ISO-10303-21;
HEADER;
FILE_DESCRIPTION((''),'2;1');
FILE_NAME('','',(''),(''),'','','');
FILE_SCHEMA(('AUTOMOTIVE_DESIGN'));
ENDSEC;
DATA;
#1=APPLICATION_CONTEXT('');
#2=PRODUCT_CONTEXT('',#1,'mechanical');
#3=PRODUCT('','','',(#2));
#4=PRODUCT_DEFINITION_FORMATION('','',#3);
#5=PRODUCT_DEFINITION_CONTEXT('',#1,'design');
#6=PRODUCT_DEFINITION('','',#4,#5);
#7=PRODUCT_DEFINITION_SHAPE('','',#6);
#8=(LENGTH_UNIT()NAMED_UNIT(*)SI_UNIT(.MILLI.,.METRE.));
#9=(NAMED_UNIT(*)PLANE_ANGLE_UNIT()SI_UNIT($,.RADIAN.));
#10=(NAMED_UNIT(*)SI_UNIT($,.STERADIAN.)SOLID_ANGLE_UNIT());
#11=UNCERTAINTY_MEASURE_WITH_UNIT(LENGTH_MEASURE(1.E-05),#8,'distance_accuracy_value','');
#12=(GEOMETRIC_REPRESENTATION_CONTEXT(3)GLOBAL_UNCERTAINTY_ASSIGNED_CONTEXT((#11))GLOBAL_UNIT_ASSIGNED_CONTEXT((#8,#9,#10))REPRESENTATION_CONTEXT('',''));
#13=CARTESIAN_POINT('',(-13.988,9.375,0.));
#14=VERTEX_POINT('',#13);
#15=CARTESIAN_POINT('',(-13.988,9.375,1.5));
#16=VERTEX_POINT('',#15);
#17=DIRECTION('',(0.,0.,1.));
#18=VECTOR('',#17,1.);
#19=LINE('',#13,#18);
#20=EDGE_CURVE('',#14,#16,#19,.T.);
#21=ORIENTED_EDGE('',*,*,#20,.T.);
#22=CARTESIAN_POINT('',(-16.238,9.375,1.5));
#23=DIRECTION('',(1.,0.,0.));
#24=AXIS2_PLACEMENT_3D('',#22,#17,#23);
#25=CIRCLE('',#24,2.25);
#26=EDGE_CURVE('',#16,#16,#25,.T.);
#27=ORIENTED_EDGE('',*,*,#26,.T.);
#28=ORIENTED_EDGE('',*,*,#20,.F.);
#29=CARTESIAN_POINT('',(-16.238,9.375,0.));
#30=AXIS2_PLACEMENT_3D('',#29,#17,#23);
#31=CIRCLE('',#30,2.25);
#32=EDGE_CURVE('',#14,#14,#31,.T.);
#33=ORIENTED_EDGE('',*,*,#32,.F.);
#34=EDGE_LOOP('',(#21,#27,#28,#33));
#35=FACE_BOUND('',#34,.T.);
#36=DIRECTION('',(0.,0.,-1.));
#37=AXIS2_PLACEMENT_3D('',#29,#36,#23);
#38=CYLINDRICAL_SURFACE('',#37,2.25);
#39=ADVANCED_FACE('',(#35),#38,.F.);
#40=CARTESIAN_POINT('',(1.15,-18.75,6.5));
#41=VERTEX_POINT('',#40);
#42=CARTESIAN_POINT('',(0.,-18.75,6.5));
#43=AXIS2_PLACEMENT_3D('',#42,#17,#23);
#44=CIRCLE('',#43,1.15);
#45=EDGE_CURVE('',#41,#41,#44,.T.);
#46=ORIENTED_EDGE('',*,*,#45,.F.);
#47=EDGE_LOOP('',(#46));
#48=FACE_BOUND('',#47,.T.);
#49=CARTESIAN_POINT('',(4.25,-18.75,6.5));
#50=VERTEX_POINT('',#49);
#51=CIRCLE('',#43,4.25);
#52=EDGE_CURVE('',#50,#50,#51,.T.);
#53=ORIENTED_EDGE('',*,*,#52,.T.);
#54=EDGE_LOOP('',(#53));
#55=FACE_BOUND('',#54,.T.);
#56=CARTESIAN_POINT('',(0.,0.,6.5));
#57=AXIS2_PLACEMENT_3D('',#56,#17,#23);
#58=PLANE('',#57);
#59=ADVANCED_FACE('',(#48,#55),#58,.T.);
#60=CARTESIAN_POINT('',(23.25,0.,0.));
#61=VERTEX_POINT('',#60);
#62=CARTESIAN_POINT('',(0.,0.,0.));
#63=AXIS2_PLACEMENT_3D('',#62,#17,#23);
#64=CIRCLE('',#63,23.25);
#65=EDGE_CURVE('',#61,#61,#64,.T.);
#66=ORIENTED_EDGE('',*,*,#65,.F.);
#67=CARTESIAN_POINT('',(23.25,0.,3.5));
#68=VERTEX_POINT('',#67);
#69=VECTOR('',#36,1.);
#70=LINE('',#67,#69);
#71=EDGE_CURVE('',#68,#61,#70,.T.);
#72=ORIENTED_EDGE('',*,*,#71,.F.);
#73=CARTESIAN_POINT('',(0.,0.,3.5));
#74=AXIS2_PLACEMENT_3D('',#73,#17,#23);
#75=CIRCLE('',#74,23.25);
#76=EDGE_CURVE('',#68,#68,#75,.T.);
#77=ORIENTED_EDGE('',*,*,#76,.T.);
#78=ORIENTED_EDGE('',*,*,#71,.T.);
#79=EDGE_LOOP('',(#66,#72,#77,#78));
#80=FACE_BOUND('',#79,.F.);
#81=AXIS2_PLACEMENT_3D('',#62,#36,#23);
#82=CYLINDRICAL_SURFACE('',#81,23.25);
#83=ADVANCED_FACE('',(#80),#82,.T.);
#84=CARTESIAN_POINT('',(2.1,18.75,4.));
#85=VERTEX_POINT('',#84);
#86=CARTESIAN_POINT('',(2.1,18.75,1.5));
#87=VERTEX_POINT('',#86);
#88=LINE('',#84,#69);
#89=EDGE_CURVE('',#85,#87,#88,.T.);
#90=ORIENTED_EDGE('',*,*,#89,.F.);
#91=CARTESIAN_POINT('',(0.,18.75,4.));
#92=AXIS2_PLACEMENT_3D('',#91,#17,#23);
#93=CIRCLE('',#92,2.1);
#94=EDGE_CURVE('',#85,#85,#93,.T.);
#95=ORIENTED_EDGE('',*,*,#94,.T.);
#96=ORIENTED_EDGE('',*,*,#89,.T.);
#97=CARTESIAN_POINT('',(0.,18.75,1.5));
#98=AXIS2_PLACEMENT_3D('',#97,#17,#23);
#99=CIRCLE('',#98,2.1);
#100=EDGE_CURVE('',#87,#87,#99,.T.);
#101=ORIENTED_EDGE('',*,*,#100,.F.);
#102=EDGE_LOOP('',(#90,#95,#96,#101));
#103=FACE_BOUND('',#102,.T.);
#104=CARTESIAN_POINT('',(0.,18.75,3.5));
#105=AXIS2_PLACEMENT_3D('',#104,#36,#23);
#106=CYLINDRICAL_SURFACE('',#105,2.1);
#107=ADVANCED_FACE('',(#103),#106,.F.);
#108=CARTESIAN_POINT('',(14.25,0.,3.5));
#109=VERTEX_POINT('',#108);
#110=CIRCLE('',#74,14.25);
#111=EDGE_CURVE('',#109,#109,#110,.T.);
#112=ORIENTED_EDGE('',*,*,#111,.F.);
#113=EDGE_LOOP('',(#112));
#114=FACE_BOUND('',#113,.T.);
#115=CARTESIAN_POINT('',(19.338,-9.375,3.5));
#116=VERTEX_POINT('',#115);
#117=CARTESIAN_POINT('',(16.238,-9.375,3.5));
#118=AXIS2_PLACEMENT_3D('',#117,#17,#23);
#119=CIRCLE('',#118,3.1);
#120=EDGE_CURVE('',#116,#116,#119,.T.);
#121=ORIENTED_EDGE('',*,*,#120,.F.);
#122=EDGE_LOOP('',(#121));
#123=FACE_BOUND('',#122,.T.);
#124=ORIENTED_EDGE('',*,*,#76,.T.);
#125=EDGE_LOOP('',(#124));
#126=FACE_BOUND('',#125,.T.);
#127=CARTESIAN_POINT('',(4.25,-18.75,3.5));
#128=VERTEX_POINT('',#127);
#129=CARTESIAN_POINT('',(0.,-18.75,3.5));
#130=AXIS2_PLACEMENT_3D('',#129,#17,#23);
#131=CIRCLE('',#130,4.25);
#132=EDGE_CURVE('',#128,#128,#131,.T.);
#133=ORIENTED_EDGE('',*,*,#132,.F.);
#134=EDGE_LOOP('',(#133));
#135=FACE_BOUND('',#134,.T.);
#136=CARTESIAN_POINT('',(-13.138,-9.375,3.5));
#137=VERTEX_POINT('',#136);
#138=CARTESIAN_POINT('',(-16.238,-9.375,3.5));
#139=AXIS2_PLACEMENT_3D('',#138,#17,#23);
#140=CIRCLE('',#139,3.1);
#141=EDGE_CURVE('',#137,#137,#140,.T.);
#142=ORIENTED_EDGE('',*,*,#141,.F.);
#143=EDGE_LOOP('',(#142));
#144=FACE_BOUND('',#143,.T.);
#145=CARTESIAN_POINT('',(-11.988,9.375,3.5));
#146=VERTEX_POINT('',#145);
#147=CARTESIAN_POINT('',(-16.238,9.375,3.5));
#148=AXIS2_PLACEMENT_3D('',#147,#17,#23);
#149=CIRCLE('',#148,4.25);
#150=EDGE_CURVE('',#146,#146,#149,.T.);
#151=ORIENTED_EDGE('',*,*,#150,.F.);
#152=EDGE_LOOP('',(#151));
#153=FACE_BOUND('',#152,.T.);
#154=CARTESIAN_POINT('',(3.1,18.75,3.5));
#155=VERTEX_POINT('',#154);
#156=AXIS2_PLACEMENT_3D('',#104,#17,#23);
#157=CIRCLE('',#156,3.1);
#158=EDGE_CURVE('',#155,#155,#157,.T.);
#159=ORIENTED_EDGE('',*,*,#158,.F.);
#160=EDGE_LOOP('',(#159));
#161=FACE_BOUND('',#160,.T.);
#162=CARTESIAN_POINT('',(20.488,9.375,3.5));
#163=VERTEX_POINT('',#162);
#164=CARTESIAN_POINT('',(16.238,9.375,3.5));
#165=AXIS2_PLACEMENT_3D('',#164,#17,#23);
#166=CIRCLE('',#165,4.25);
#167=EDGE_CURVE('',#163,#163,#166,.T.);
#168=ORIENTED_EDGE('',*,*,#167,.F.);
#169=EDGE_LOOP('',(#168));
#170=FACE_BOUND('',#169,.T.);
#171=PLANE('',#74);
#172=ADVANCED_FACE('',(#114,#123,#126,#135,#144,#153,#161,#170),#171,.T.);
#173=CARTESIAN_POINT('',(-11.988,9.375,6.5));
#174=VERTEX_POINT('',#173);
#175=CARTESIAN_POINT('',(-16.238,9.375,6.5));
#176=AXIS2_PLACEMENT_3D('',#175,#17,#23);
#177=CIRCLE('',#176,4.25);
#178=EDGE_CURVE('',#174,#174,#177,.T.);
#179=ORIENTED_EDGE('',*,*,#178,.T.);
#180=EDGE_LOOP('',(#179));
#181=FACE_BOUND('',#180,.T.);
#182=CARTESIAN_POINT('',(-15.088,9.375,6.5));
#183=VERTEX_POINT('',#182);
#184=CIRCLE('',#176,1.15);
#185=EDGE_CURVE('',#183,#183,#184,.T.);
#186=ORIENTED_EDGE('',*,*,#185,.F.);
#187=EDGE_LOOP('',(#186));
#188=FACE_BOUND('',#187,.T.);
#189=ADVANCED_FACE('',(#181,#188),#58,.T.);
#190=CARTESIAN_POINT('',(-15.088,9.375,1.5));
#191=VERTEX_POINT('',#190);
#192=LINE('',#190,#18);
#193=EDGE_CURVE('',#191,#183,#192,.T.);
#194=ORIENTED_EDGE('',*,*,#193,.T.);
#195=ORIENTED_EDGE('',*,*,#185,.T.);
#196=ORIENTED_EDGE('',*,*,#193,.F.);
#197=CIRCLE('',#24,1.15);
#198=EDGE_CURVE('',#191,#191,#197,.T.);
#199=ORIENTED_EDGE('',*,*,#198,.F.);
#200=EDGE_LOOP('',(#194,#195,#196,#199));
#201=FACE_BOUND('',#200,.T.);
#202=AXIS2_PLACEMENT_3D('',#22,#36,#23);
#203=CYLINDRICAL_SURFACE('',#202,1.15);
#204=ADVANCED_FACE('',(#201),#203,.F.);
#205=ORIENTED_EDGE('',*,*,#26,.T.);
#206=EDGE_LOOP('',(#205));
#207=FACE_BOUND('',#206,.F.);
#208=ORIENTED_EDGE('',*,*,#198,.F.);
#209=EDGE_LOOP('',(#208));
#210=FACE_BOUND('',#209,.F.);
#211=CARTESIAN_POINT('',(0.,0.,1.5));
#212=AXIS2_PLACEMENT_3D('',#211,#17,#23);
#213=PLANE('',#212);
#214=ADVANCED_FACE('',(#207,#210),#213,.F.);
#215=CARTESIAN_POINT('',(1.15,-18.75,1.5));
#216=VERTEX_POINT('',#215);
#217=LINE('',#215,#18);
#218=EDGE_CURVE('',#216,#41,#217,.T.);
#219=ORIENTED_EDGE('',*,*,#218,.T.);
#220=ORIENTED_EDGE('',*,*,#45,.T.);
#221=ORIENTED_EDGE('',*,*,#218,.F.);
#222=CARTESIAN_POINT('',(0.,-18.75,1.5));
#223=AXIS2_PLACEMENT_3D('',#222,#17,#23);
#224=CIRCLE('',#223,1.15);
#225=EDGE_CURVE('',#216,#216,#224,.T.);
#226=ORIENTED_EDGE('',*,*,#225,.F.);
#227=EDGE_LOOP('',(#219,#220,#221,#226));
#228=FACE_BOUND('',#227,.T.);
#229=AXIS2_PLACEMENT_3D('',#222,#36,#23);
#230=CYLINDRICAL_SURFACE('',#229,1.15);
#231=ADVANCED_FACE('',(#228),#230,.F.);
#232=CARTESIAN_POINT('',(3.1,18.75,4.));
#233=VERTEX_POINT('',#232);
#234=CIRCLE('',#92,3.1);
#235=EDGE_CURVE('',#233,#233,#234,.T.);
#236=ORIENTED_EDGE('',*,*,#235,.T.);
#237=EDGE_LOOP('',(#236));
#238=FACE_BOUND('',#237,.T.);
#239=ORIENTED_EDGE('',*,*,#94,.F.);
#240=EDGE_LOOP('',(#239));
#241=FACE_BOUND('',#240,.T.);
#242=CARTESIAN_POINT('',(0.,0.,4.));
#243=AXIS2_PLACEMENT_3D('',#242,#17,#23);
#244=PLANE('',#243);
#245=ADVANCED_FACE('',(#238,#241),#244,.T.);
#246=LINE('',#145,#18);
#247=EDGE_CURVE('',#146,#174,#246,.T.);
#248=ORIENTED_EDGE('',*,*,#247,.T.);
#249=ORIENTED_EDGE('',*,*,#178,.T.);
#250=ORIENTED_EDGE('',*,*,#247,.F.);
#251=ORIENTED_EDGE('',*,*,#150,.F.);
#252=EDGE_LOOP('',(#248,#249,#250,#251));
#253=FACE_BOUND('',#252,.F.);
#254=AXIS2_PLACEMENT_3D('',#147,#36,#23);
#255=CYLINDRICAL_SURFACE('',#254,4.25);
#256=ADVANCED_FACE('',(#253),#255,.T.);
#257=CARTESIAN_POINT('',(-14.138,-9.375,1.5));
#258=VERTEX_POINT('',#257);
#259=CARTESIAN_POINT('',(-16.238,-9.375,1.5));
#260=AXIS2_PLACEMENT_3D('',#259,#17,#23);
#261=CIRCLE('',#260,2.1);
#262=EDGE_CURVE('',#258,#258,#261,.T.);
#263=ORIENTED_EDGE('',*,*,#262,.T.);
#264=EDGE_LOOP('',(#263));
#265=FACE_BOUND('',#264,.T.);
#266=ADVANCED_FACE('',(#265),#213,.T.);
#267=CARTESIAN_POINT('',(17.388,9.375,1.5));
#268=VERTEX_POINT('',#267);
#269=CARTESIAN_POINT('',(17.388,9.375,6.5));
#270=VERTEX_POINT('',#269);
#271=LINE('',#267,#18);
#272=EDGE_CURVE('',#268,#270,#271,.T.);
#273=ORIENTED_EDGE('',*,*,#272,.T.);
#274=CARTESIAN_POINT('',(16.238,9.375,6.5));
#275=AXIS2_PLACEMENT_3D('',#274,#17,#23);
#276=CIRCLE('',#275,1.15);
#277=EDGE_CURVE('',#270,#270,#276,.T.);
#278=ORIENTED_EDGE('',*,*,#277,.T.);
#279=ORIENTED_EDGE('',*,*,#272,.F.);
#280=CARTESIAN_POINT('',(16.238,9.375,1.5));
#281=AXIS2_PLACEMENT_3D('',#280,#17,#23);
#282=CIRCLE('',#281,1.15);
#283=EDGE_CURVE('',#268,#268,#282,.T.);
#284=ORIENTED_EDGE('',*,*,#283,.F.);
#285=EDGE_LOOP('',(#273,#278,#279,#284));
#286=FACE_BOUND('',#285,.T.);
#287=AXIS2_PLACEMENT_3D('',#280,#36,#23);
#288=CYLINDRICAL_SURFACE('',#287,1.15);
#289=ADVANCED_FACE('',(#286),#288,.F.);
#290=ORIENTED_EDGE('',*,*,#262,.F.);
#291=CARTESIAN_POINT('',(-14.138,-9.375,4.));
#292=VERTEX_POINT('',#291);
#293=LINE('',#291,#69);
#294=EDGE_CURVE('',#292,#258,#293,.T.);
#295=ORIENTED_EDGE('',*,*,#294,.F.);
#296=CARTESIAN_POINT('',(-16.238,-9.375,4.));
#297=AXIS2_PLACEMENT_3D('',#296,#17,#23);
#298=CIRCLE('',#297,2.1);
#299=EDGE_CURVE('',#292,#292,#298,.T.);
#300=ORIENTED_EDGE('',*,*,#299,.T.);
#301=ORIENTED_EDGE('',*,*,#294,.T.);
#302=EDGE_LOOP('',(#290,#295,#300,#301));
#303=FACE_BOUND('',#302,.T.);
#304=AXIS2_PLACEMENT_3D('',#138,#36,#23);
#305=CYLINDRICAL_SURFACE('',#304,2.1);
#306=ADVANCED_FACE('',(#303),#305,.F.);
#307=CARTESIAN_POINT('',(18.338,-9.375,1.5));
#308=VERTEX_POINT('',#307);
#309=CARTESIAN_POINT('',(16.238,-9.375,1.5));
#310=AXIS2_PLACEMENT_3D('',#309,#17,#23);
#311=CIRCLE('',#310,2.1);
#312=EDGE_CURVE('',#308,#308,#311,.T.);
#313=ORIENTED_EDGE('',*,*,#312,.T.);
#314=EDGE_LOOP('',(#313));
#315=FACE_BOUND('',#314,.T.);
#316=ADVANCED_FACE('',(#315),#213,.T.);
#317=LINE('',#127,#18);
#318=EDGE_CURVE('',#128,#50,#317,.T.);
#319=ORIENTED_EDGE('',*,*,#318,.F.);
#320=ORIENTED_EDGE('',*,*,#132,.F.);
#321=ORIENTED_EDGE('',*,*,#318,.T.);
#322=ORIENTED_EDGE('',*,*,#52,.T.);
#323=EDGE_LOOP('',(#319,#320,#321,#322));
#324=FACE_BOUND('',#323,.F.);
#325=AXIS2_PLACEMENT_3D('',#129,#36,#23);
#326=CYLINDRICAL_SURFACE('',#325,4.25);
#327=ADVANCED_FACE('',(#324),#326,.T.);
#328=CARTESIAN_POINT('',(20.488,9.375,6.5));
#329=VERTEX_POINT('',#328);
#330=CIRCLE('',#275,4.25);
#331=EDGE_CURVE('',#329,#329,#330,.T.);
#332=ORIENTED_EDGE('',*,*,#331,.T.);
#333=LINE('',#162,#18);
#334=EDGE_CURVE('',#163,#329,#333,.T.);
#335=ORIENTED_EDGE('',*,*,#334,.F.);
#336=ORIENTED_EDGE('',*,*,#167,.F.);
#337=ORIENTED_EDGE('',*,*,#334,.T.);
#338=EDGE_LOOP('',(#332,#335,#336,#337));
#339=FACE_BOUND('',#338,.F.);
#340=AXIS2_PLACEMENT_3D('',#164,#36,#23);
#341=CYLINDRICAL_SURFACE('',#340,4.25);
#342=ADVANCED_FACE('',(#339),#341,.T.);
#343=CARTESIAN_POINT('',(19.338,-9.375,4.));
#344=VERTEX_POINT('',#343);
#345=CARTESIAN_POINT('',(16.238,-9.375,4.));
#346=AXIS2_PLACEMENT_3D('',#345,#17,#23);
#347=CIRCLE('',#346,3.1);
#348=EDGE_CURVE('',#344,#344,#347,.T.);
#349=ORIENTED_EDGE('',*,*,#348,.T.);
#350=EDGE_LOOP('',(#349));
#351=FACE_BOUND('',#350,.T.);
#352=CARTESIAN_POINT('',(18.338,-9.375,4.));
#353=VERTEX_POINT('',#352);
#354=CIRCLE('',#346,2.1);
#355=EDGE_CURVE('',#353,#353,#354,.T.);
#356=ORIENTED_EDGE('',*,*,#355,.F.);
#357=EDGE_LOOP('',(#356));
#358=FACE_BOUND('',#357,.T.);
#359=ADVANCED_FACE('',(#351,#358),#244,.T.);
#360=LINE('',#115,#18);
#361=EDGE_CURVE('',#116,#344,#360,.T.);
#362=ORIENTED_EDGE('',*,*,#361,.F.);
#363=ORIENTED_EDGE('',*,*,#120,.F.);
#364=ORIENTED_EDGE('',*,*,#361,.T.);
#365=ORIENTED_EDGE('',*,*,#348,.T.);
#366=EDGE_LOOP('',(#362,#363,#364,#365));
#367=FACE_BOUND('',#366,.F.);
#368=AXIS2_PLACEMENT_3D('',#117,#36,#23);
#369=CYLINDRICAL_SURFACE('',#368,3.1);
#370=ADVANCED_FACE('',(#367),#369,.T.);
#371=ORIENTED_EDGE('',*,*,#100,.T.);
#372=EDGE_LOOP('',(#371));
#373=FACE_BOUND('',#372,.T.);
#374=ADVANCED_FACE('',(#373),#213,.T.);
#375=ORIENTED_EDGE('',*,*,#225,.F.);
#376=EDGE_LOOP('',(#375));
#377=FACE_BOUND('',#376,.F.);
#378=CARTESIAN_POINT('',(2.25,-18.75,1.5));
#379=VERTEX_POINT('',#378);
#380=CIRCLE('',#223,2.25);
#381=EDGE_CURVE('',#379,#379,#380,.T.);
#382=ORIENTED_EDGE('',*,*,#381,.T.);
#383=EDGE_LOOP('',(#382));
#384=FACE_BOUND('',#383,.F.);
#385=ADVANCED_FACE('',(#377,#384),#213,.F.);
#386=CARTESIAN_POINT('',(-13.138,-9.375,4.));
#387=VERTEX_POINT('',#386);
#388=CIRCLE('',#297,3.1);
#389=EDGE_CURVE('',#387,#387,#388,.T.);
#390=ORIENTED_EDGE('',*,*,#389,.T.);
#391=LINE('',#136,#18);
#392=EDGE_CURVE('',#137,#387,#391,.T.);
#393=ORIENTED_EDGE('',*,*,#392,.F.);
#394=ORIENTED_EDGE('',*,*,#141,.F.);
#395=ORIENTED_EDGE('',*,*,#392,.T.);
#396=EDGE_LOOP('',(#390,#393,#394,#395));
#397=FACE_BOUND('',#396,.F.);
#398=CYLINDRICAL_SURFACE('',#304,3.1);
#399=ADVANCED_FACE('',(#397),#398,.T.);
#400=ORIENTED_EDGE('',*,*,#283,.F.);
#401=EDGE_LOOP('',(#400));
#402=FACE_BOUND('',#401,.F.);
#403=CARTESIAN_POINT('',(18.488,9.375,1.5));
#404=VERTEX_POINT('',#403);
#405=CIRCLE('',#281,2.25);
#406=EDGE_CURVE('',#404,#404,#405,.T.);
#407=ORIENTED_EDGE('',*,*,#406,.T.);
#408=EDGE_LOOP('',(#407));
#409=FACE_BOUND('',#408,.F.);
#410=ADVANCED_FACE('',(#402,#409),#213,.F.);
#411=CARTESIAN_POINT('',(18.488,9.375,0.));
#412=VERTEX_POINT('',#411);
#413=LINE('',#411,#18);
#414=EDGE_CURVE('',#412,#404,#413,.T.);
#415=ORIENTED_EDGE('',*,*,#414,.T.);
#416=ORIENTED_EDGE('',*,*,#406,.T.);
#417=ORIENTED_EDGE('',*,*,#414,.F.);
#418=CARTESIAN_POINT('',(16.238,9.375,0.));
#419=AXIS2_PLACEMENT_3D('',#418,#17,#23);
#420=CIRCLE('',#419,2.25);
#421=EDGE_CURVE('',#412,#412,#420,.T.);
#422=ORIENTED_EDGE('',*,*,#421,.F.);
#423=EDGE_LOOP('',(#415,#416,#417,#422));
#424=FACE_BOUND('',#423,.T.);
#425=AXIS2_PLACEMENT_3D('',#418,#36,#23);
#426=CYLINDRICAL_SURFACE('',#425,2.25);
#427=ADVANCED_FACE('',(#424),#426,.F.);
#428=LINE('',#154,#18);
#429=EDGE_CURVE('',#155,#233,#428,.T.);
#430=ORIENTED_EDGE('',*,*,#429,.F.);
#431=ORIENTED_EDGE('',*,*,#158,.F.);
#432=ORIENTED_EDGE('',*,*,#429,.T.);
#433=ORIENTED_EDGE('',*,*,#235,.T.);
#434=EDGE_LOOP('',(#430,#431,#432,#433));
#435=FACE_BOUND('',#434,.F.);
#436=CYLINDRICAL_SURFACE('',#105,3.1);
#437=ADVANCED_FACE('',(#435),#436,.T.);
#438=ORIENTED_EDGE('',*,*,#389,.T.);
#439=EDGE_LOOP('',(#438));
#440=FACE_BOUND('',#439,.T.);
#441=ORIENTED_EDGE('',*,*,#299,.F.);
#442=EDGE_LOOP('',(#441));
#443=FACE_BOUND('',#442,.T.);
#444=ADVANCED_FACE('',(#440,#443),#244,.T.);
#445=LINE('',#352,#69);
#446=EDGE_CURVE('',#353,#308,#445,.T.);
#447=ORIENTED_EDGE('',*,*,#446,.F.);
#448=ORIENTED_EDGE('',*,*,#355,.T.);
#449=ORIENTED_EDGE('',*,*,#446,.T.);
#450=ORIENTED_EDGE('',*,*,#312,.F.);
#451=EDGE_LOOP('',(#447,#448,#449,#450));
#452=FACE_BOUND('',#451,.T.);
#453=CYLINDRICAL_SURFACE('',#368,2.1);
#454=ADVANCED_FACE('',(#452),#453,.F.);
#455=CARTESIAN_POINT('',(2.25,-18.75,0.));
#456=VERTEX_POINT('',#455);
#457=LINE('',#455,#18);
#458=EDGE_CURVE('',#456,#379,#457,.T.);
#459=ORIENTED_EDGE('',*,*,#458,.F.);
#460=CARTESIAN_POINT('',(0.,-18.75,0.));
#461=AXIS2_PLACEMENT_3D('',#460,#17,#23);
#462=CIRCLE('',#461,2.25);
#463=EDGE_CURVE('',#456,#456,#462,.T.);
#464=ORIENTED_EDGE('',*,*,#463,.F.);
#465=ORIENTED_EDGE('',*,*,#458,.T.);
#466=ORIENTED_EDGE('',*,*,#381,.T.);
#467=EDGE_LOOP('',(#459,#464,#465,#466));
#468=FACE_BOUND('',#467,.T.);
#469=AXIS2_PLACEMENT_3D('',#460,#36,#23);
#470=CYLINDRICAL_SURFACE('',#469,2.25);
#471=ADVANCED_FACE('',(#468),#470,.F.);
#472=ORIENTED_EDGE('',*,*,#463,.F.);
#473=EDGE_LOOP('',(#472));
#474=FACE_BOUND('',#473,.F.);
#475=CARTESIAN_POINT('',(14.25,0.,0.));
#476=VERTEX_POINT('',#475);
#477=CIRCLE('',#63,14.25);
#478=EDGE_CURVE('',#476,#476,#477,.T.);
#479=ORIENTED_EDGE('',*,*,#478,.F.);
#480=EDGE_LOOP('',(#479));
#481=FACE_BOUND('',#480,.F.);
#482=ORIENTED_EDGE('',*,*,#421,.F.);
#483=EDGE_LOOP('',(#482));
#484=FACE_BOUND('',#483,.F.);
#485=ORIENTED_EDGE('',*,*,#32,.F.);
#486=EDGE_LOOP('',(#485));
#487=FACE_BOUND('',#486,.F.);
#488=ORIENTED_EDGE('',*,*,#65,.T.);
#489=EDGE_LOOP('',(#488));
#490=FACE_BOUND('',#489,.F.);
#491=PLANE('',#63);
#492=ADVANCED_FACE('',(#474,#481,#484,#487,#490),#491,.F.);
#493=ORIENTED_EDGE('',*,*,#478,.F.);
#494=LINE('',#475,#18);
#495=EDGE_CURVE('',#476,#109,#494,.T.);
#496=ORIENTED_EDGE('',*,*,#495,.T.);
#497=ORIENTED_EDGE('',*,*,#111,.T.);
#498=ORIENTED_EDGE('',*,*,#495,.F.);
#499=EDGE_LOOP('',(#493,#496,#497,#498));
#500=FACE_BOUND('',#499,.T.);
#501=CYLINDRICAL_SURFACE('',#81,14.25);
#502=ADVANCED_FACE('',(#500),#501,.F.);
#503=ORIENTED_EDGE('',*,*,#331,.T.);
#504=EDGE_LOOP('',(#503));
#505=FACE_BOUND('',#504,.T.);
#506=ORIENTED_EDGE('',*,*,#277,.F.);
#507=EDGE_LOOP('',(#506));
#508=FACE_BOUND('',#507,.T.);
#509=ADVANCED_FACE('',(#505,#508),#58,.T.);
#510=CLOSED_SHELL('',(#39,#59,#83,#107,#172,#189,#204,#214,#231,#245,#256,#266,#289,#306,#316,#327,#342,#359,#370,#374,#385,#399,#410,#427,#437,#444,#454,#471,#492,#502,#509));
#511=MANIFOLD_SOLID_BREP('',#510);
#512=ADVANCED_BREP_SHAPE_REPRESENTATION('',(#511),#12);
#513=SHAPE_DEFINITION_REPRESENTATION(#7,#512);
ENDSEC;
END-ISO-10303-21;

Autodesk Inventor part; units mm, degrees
ref_plane "YZ Plane" through (0, 0, 0) normal (1, 0, 0) x (0, 1, 0)
ref_plane "XZ Plane" through (0, 0, 0) normal (0, 1, 0) x (-1, 0, 0)
ref_plane "XY Plane" through (0, 0, 0) normal (0, 0, 1) x (1, 0, 0)
sketch "Skizze1" plane through (0, 0, 0) normal (0, 0, 1) x (1, 0, 0)
  line L0 (-32.55, 0) -> (32.55, 0) construction
  circle A0 centre (0, 0) radius 18.75 construction
  circle A1 centre (0, 18.75) radius 2.1
  circle A2 centre (16.238, -9.375) radius 2.1
  circle A3 centre (-16.238, -9.375) radius 2.1
  line L1 (0, 32.55) -> (0, -32.55) construction
  line L2 (0, 0) -> (-16.238, -9.375) construction
  circle A4 centre (0, 0) radius 14.25
  circle A5 centre (0, 0) radius 23.25
  circle A6 centre (0, -18.75) radius 1.15
  circle A7 centre (16.238, 9.375) radius 1.15
  circle A8 centre (-16.238, 9.375) radius 1.15
  circle A9 centre (0, -18.75) radius 4.25
  circle A10 centre (-16.238, 9.375) radius 4.25
  circle A11 centre (16.238, 9.375) radius 4.25
  circle A12 centre (0, -18.75) radius 2.25
  circle A13 centre (-16.238, 9.375) radius 2.25
  circle A14 centre (16.238, 9.375) radius 2.25
  circle A15 centre (16.238, -9.375) radius 3.1
  circle A16 centre (0, 18.75) radius 3.1
  circle A17 centre (-16.238, -9.375) radius 3.1
  dimension "d0" = 37.5
  dimension "d1" = 4.2
  dimension "d2" = 30
  dimension "d3" = 4.5
  dimension "d4" = 4.5
  dimension "d9" = 2.3
  dimension "d14" = 2
  dimension "d15" = 4.5
  dimension "d18" = 1
extrude "Extrusion2" add sketch "Skizze1" along normal blind 1.5 contours A1 | A2 | A3 | A5 | A9 | A10 | A11 | A15 | A16 | A17
extrude "Extrusion1" add sketch "Skizze1" along normal blind 2 from surface at 1.5 contours A5 | A9 | A10 | A11 | A12 | A13 | A14 | A15 | A16 | A17
extrude "Extrusion3" add sketch "Skizze1" along normal blind 3 from surface at 3.5 contours A9 | A10 | A11 | A12 | A13 | A14
extrude "Extrusion4" add sketch "Skizze1" along normal blind 0.5 from surface at 3.5 contours A15 | A16 | A17
equation "\"d3\" = d4"
properties part number "PlanetaryHolderBottom"
